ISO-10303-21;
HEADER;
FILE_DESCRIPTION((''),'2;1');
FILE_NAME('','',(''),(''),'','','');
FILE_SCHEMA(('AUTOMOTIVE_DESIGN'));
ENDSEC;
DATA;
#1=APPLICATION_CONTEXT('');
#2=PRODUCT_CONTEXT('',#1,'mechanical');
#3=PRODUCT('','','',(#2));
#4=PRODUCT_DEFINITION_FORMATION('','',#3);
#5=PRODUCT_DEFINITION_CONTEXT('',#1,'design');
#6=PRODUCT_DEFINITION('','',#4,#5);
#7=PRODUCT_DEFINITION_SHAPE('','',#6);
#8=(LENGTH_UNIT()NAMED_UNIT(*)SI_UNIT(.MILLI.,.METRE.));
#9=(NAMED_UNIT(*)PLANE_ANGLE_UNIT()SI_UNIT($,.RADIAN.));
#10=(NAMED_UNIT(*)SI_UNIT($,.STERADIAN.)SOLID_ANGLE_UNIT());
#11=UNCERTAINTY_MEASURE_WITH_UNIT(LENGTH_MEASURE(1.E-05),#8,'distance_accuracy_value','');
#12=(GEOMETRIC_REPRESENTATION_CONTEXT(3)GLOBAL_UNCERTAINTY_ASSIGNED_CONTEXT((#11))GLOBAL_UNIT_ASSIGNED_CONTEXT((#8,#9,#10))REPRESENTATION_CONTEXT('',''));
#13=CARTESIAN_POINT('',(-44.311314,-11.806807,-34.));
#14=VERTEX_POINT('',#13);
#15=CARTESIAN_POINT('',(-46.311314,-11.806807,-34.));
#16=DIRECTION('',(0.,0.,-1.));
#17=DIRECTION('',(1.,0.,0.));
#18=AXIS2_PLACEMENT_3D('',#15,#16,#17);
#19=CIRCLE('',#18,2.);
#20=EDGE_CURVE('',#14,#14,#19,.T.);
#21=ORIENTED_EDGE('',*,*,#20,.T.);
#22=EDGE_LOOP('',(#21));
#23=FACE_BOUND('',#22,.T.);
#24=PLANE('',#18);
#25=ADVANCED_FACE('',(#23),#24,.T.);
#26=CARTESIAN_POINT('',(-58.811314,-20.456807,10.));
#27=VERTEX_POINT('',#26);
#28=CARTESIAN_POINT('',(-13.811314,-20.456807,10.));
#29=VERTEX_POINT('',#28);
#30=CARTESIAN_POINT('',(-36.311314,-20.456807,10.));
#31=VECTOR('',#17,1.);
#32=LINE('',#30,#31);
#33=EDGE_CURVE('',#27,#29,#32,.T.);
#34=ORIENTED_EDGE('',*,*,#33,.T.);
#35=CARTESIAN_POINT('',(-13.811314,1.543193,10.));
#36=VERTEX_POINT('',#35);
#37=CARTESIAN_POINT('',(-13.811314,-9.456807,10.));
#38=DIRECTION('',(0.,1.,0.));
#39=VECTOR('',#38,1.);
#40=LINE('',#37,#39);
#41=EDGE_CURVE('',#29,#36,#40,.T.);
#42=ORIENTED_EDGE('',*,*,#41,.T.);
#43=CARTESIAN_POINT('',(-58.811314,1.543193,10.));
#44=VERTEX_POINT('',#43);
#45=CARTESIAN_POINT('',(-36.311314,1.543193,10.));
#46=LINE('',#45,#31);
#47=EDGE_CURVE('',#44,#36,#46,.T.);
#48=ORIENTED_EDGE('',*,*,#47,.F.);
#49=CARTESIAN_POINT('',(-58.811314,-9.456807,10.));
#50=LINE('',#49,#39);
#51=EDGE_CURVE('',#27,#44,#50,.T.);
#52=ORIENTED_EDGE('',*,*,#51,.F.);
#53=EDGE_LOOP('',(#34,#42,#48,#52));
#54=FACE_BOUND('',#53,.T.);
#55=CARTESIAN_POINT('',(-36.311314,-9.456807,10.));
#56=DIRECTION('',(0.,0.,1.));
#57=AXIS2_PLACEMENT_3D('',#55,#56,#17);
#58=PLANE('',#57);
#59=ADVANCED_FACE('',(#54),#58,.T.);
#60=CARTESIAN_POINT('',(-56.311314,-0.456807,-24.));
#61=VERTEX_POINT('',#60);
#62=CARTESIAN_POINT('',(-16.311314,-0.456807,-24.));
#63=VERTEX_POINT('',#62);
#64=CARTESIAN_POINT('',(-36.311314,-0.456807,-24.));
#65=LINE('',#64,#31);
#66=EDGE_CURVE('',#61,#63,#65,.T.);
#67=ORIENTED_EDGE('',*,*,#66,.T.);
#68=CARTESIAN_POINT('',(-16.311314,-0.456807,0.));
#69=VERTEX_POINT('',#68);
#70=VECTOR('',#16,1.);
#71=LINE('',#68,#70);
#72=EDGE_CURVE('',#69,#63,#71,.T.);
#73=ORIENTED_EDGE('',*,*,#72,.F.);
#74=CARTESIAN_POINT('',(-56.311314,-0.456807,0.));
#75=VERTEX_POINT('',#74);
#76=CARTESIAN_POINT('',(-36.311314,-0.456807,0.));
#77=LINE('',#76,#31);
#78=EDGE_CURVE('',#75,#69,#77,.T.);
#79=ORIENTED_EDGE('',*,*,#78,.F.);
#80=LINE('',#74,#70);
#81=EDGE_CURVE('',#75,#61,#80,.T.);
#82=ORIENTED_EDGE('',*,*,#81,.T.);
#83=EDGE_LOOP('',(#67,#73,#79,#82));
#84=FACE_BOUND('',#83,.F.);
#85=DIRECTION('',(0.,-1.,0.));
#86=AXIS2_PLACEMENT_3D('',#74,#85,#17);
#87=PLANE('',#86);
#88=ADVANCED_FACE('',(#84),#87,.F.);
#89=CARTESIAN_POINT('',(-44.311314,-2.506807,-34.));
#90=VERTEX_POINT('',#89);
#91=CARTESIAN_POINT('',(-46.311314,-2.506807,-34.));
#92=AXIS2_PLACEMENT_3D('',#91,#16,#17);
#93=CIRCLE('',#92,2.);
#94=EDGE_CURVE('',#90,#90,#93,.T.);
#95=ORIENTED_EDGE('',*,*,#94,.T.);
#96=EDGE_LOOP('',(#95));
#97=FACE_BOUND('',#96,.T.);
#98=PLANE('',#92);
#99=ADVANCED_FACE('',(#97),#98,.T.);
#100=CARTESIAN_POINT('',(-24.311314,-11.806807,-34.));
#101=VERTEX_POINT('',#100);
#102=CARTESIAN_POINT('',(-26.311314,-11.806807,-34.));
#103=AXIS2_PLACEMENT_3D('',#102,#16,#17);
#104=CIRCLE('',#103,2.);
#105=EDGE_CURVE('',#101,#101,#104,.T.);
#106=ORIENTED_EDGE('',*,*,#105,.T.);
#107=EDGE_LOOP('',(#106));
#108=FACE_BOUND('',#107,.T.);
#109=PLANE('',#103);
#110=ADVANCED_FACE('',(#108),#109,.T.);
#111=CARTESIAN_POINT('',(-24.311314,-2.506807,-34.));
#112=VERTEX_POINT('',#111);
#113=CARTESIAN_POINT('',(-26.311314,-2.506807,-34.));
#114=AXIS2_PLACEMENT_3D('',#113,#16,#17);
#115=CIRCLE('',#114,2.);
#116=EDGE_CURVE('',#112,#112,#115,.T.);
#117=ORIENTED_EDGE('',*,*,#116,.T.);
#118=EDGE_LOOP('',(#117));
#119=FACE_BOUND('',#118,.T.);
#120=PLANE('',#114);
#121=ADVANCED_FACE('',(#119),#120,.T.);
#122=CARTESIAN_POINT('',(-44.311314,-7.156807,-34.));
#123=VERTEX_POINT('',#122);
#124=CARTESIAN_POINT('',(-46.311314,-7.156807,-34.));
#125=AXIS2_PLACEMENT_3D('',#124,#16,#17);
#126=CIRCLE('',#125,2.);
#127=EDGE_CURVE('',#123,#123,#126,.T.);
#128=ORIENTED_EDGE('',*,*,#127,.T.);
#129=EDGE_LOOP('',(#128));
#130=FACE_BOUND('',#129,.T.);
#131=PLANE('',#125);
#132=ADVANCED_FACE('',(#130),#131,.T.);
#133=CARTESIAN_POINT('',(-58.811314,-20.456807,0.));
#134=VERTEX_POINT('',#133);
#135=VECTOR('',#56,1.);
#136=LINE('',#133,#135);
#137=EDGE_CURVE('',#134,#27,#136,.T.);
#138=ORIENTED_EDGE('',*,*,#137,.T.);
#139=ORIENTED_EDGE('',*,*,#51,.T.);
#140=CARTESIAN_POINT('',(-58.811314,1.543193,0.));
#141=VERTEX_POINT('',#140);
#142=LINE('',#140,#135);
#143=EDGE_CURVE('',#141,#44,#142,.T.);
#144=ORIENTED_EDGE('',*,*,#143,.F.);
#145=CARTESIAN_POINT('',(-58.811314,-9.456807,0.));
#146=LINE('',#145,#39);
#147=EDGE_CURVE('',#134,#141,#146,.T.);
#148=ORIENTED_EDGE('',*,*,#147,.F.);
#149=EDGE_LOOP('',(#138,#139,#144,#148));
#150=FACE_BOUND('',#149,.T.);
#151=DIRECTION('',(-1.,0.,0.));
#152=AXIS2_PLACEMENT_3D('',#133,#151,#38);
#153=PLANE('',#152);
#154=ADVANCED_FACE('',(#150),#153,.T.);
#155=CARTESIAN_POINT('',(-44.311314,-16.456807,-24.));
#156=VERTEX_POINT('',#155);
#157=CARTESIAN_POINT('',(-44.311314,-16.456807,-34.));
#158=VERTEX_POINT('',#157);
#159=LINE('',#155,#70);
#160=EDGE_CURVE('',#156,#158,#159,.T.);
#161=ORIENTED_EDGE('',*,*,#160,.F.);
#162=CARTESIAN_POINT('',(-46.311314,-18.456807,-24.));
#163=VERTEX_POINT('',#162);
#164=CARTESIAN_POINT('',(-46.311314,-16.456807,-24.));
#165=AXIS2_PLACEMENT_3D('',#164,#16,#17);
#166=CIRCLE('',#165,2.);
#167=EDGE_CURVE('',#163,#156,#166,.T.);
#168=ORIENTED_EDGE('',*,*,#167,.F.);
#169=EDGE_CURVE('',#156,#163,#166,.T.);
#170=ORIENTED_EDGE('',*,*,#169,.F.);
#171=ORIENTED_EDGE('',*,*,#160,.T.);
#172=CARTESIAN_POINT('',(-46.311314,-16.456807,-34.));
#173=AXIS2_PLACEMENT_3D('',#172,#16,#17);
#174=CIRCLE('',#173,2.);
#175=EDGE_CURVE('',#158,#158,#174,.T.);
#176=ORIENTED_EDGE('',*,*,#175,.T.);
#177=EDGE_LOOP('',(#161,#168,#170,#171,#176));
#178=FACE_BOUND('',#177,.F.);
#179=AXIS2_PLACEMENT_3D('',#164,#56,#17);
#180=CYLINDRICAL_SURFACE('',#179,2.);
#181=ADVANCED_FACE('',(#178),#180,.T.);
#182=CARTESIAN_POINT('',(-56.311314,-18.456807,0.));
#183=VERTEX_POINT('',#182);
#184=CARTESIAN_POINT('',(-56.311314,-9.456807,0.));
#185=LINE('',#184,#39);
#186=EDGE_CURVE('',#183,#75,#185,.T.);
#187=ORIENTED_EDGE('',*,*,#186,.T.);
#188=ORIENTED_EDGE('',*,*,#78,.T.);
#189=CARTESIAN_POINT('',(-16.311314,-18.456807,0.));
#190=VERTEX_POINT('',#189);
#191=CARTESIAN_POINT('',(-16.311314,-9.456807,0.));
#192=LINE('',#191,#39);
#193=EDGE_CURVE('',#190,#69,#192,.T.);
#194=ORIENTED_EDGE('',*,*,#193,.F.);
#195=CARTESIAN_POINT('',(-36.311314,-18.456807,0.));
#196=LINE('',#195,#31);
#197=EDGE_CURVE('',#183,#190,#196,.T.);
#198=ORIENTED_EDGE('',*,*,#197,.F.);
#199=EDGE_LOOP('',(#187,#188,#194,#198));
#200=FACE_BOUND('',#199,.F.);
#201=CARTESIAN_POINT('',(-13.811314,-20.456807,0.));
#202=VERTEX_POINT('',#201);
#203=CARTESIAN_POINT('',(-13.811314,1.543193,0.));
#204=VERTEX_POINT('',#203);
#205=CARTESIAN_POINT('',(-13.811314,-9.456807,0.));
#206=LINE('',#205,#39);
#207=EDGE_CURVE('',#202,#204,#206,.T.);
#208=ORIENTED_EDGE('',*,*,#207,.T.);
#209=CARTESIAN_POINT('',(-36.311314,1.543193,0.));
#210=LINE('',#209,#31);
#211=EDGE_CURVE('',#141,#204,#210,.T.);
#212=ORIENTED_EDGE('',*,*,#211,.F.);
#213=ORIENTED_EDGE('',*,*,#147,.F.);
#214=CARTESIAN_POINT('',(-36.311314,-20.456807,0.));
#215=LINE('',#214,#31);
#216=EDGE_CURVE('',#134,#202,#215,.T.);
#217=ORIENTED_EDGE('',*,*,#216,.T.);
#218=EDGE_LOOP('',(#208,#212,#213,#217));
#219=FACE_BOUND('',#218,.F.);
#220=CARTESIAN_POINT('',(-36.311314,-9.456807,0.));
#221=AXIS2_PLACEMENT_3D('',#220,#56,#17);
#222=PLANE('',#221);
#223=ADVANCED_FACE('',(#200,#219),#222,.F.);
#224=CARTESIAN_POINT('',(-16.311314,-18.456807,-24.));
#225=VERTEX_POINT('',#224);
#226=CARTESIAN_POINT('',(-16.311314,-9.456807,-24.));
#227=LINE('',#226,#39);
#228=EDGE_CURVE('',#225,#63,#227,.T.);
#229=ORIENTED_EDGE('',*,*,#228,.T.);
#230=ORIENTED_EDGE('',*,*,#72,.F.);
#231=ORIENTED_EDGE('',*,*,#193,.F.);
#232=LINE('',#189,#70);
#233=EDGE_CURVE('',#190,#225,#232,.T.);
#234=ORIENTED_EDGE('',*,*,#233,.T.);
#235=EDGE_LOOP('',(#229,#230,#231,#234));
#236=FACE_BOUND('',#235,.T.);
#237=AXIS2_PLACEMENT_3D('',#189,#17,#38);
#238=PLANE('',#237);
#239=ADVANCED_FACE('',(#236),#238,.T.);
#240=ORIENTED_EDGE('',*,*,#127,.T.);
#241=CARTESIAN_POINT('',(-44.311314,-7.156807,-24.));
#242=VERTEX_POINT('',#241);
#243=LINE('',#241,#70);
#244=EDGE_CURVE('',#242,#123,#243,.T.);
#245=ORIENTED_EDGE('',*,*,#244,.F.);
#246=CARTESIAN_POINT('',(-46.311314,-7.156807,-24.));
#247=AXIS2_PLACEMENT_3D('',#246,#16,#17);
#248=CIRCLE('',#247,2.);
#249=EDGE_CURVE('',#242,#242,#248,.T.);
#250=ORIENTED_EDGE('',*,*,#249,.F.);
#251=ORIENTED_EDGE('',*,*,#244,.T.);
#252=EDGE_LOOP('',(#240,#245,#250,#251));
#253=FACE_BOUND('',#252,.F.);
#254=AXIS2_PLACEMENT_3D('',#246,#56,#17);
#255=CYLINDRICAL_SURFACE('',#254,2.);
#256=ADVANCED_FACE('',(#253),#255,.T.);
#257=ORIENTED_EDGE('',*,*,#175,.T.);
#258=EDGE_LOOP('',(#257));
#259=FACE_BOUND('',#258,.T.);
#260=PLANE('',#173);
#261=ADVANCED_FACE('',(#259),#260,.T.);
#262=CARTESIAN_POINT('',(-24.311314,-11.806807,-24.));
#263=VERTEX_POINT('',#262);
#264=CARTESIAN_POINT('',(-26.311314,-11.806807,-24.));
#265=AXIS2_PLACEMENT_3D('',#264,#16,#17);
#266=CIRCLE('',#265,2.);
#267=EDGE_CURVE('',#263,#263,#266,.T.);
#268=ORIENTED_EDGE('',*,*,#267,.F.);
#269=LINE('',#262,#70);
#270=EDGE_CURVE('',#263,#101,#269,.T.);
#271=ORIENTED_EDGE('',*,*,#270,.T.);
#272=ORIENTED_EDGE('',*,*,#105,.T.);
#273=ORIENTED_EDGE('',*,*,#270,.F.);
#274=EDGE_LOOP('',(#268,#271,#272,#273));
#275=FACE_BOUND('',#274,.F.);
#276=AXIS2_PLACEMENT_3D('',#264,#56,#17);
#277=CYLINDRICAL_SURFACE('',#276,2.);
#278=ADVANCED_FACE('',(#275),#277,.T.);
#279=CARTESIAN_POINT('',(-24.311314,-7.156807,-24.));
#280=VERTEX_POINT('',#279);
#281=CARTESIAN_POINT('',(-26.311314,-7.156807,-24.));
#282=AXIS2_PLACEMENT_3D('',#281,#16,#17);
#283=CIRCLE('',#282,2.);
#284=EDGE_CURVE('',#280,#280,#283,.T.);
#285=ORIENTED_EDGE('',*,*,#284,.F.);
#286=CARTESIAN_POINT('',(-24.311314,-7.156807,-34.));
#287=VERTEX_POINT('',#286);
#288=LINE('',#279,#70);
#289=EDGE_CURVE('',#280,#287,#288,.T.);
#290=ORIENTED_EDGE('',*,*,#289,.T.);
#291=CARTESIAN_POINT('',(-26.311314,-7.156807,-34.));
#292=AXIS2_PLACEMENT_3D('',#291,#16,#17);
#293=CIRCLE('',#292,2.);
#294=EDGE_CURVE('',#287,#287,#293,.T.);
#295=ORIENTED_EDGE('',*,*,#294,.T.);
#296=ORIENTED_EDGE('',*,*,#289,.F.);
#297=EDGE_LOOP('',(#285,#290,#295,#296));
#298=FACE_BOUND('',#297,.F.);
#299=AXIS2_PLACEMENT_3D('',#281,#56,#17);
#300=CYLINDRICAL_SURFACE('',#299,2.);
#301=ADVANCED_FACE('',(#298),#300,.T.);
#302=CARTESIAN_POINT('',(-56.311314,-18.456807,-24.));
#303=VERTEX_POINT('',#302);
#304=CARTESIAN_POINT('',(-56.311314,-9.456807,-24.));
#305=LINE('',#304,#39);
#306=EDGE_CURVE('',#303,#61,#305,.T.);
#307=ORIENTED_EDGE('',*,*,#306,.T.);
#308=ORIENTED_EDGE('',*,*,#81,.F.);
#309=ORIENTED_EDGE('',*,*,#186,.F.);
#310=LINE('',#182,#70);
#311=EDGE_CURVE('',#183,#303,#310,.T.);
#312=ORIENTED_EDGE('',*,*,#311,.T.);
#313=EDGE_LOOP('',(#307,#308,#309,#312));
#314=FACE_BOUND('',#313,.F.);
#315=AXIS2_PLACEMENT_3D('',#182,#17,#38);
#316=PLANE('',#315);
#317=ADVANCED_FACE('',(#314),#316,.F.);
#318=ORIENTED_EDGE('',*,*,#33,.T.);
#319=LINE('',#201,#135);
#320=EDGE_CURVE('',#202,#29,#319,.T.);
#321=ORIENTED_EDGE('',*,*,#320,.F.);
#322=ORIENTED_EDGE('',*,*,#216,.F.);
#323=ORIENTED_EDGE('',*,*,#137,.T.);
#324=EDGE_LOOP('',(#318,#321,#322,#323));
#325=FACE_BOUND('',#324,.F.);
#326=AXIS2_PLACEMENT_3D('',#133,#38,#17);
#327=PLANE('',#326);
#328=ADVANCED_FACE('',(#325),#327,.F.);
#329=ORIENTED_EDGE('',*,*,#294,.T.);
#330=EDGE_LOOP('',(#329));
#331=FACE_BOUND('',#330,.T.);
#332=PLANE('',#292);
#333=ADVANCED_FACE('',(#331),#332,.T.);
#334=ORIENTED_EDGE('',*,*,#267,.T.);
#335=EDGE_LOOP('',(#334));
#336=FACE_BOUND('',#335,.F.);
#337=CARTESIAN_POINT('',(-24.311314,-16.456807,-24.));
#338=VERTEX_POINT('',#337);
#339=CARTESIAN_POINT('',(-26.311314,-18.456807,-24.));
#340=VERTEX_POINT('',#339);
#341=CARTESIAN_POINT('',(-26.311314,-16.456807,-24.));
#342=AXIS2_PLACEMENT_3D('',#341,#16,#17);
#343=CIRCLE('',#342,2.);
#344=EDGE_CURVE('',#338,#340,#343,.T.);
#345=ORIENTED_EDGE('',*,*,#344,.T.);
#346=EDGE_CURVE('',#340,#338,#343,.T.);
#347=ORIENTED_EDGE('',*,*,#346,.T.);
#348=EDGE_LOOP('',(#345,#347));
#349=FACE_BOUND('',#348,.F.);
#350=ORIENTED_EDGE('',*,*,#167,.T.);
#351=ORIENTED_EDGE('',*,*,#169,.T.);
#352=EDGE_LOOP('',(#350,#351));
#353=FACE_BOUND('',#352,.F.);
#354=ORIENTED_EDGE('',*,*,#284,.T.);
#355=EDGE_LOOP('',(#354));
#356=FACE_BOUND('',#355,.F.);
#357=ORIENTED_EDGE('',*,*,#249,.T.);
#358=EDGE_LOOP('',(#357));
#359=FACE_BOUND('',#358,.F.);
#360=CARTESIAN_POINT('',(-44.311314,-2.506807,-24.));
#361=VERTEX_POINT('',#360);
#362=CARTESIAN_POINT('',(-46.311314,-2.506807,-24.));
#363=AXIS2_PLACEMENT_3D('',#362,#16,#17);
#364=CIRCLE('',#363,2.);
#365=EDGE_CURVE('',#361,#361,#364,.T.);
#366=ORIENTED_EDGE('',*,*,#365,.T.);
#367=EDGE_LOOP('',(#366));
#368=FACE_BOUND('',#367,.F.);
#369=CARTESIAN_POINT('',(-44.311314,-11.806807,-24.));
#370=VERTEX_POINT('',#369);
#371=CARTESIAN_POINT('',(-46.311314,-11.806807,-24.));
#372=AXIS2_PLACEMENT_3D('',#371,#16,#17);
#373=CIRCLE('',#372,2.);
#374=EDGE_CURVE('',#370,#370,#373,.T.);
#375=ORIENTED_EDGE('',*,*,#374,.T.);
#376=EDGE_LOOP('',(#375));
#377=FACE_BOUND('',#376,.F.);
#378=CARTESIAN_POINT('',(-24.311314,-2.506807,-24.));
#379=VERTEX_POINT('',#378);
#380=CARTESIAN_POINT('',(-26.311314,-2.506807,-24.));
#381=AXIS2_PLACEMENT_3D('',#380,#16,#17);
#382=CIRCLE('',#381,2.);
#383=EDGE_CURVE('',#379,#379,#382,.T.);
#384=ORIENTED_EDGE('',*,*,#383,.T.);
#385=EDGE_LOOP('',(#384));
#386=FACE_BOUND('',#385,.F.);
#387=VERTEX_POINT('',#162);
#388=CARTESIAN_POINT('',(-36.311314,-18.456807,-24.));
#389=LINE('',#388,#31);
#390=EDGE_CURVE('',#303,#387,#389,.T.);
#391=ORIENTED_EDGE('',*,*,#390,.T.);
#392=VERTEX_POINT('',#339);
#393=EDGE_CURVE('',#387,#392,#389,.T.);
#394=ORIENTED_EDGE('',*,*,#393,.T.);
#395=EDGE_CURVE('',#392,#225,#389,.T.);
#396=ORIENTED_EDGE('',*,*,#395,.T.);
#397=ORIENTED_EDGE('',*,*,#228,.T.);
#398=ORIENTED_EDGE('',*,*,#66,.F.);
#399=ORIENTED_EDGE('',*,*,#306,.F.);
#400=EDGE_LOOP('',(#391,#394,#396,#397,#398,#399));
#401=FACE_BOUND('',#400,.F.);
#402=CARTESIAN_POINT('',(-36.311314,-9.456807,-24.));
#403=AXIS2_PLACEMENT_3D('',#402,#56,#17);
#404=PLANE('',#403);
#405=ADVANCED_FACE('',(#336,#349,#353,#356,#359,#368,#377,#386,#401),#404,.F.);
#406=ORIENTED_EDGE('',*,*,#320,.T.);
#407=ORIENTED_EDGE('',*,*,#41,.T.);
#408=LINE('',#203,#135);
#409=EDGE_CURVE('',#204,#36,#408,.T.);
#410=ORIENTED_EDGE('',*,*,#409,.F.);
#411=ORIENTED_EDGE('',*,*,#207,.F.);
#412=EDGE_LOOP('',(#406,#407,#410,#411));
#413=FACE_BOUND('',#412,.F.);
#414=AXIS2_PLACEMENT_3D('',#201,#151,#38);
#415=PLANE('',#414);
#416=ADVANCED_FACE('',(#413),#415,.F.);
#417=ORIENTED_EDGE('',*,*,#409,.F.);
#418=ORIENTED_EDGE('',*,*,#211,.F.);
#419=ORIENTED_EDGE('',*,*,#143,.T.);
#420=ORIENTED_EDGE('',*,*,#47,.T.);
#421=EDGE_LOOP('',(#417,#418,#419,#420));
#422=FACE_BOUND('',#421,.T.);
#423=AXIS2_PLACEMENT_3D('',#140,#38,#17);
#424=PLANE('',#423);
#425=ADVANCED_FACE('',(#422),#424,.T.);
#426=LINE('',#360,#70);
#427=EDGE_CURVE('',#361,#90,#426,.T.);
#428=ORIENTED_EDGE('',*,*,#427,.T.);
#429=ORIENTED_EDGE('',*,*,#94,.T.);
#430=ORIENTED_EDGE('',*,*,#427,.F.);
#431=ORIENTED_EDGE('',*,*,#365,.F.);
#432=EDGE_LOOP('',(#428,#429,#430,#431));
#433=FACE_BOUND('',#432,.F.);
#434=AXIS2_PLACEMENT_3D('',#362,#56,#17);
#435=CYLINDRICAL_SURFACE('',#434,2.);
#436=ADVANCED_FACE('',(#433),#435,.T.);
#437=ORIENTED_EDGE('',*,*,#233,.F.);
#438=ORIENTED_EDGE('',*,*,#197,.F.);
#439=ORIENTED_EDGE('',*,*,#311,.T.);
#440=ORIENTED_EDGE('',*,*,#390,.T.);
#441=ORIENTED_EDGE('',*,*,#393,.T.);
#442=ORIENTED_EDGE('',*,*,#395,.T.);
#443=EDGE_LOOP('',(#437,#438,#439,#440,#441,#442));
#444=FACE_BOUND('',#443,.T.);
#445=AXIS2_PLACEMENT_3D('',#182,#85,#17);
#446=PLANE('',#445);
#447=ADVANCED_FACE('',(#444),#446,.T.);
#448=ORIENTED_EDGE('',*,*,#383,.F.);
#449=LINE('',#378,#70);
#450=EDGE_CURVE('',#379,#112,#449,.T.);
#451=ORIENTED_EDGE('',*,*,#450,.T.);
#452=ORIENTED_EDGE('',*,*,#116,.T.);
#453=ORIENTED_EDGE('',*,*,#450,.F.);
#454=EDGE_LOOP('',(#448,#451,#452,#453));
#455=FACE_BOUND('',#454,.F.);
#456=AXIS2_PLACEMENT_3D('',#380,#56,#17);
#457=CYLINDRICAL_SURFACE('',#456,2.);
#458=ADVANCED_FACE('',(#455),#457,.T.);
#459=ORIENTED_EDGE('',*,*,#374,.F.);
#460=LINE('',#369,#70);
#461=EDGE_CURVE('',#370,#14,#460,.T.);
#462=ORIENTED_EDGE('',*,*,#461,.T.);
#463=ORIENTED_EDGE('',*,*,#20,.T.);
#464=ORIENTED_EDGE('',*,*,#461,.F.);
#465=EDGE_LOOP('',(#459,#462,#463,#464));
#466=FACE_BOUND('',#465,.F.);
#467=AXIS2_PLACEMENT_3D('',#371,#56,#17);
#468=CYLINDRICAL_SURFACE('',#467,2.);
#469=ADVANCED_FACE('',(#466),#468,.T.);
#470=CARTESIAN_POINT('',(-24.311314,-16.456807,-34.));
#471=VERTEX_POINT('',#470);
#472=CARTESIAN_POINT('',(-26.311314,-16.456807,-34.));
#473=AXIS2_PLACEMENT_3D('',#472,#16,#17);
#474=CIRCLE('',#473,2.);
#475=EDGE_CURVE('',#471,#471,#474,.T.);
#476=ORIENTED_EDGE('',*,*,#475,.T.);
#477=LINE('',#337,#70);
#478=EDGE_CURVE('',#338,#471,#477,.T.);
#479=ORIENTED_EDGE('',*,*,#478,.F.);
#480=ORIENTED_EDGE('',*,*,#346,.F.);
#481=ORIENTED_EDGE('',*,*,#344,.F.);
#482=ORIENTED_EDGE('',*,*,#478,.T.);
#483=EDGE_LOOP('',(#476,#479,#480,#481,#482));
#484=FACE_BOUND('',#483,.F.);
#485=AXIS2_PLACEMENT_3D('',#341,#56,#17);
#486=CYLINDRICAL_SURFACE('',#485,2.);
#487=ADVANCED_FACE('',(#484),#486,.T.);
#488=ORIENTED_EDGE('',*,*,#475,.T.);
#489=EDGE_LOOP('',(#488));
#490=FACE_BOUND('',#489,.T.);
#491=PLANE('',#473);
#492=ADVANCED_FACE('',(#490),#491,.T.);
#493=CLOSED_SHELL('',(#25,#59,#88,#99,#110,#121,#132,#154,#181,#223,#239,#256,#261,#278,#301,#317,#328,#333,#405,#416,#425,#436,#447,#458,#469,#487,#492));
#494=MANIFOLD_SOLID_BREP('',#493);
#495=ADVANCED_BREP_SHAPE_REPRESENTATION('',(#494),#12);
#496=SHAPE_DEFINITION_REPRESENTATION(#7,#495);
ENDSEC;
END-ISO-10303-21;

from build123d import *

# Parameters (mm, degrees)
F0_W     = 45
F0_H     = 22
F0_W_2   = 40
F0_H_2   = 18
F1_DEPTH = 10
F2_DEPTH = 24
F3_R     = 2
F4_DEPTH = 10


with BuildPart() as f1:
    # F0 (on Top) → F1 (new body)
    with BuildSketch(Plane.XY):
        with Locations((-36.311314, -9.456807)):
            Rectangle(F0_W, F0_H)
        with Locations((-36.311314, -9.456807)):
            Rectangle(F0_W_2, F0_H_2, mode=Mode.SUBTRACT)
        with Locations((-36.311314, -9.456807)):
            Rectangle(F0_W_2, F0_H_2)
    extrude(amount=F1_DEPTH)

    # F0 (on Top) → F2 (join)
    with BuildSketch(Plane.XY):
        with Locations((-36.311314, -9.456807)):
            Rectangle(F0_W_2, F0_H_2)
    extrude(amount=-F2_DEPTH)

    # F3 (on face) → F4 (join)
    with BuildSketch(Plane(origin=(0, 0, -24), x_dir=(1, 0, 0), z_dir=(0, 0, -1))):
        with Locations((-46.311314, 16.456807)):
            Circle(F3_R)
        with Locations((-46.311314, 11.806807)):
            Circle(F3_R)
        with Locations((-46.311314, 7.156807)):
            Circle(F3_R)
        with Locations((-46.311314, 2.506807)):
            Circle(F3_R)
        with Locations((-26.311314, 16.456807)):
            Circle(F3_R)
        with Locations((-26.311314, 11.806807)):
            Circle(F3_R)
        with Locations((-26.311314, 7.156807)):
            Circle(F3_R)
        with Locations((-26.311314, 2.506807)):
            Circle(F3_R)
    extrude(amount=F4_DEPTH)


solid = f1.part
